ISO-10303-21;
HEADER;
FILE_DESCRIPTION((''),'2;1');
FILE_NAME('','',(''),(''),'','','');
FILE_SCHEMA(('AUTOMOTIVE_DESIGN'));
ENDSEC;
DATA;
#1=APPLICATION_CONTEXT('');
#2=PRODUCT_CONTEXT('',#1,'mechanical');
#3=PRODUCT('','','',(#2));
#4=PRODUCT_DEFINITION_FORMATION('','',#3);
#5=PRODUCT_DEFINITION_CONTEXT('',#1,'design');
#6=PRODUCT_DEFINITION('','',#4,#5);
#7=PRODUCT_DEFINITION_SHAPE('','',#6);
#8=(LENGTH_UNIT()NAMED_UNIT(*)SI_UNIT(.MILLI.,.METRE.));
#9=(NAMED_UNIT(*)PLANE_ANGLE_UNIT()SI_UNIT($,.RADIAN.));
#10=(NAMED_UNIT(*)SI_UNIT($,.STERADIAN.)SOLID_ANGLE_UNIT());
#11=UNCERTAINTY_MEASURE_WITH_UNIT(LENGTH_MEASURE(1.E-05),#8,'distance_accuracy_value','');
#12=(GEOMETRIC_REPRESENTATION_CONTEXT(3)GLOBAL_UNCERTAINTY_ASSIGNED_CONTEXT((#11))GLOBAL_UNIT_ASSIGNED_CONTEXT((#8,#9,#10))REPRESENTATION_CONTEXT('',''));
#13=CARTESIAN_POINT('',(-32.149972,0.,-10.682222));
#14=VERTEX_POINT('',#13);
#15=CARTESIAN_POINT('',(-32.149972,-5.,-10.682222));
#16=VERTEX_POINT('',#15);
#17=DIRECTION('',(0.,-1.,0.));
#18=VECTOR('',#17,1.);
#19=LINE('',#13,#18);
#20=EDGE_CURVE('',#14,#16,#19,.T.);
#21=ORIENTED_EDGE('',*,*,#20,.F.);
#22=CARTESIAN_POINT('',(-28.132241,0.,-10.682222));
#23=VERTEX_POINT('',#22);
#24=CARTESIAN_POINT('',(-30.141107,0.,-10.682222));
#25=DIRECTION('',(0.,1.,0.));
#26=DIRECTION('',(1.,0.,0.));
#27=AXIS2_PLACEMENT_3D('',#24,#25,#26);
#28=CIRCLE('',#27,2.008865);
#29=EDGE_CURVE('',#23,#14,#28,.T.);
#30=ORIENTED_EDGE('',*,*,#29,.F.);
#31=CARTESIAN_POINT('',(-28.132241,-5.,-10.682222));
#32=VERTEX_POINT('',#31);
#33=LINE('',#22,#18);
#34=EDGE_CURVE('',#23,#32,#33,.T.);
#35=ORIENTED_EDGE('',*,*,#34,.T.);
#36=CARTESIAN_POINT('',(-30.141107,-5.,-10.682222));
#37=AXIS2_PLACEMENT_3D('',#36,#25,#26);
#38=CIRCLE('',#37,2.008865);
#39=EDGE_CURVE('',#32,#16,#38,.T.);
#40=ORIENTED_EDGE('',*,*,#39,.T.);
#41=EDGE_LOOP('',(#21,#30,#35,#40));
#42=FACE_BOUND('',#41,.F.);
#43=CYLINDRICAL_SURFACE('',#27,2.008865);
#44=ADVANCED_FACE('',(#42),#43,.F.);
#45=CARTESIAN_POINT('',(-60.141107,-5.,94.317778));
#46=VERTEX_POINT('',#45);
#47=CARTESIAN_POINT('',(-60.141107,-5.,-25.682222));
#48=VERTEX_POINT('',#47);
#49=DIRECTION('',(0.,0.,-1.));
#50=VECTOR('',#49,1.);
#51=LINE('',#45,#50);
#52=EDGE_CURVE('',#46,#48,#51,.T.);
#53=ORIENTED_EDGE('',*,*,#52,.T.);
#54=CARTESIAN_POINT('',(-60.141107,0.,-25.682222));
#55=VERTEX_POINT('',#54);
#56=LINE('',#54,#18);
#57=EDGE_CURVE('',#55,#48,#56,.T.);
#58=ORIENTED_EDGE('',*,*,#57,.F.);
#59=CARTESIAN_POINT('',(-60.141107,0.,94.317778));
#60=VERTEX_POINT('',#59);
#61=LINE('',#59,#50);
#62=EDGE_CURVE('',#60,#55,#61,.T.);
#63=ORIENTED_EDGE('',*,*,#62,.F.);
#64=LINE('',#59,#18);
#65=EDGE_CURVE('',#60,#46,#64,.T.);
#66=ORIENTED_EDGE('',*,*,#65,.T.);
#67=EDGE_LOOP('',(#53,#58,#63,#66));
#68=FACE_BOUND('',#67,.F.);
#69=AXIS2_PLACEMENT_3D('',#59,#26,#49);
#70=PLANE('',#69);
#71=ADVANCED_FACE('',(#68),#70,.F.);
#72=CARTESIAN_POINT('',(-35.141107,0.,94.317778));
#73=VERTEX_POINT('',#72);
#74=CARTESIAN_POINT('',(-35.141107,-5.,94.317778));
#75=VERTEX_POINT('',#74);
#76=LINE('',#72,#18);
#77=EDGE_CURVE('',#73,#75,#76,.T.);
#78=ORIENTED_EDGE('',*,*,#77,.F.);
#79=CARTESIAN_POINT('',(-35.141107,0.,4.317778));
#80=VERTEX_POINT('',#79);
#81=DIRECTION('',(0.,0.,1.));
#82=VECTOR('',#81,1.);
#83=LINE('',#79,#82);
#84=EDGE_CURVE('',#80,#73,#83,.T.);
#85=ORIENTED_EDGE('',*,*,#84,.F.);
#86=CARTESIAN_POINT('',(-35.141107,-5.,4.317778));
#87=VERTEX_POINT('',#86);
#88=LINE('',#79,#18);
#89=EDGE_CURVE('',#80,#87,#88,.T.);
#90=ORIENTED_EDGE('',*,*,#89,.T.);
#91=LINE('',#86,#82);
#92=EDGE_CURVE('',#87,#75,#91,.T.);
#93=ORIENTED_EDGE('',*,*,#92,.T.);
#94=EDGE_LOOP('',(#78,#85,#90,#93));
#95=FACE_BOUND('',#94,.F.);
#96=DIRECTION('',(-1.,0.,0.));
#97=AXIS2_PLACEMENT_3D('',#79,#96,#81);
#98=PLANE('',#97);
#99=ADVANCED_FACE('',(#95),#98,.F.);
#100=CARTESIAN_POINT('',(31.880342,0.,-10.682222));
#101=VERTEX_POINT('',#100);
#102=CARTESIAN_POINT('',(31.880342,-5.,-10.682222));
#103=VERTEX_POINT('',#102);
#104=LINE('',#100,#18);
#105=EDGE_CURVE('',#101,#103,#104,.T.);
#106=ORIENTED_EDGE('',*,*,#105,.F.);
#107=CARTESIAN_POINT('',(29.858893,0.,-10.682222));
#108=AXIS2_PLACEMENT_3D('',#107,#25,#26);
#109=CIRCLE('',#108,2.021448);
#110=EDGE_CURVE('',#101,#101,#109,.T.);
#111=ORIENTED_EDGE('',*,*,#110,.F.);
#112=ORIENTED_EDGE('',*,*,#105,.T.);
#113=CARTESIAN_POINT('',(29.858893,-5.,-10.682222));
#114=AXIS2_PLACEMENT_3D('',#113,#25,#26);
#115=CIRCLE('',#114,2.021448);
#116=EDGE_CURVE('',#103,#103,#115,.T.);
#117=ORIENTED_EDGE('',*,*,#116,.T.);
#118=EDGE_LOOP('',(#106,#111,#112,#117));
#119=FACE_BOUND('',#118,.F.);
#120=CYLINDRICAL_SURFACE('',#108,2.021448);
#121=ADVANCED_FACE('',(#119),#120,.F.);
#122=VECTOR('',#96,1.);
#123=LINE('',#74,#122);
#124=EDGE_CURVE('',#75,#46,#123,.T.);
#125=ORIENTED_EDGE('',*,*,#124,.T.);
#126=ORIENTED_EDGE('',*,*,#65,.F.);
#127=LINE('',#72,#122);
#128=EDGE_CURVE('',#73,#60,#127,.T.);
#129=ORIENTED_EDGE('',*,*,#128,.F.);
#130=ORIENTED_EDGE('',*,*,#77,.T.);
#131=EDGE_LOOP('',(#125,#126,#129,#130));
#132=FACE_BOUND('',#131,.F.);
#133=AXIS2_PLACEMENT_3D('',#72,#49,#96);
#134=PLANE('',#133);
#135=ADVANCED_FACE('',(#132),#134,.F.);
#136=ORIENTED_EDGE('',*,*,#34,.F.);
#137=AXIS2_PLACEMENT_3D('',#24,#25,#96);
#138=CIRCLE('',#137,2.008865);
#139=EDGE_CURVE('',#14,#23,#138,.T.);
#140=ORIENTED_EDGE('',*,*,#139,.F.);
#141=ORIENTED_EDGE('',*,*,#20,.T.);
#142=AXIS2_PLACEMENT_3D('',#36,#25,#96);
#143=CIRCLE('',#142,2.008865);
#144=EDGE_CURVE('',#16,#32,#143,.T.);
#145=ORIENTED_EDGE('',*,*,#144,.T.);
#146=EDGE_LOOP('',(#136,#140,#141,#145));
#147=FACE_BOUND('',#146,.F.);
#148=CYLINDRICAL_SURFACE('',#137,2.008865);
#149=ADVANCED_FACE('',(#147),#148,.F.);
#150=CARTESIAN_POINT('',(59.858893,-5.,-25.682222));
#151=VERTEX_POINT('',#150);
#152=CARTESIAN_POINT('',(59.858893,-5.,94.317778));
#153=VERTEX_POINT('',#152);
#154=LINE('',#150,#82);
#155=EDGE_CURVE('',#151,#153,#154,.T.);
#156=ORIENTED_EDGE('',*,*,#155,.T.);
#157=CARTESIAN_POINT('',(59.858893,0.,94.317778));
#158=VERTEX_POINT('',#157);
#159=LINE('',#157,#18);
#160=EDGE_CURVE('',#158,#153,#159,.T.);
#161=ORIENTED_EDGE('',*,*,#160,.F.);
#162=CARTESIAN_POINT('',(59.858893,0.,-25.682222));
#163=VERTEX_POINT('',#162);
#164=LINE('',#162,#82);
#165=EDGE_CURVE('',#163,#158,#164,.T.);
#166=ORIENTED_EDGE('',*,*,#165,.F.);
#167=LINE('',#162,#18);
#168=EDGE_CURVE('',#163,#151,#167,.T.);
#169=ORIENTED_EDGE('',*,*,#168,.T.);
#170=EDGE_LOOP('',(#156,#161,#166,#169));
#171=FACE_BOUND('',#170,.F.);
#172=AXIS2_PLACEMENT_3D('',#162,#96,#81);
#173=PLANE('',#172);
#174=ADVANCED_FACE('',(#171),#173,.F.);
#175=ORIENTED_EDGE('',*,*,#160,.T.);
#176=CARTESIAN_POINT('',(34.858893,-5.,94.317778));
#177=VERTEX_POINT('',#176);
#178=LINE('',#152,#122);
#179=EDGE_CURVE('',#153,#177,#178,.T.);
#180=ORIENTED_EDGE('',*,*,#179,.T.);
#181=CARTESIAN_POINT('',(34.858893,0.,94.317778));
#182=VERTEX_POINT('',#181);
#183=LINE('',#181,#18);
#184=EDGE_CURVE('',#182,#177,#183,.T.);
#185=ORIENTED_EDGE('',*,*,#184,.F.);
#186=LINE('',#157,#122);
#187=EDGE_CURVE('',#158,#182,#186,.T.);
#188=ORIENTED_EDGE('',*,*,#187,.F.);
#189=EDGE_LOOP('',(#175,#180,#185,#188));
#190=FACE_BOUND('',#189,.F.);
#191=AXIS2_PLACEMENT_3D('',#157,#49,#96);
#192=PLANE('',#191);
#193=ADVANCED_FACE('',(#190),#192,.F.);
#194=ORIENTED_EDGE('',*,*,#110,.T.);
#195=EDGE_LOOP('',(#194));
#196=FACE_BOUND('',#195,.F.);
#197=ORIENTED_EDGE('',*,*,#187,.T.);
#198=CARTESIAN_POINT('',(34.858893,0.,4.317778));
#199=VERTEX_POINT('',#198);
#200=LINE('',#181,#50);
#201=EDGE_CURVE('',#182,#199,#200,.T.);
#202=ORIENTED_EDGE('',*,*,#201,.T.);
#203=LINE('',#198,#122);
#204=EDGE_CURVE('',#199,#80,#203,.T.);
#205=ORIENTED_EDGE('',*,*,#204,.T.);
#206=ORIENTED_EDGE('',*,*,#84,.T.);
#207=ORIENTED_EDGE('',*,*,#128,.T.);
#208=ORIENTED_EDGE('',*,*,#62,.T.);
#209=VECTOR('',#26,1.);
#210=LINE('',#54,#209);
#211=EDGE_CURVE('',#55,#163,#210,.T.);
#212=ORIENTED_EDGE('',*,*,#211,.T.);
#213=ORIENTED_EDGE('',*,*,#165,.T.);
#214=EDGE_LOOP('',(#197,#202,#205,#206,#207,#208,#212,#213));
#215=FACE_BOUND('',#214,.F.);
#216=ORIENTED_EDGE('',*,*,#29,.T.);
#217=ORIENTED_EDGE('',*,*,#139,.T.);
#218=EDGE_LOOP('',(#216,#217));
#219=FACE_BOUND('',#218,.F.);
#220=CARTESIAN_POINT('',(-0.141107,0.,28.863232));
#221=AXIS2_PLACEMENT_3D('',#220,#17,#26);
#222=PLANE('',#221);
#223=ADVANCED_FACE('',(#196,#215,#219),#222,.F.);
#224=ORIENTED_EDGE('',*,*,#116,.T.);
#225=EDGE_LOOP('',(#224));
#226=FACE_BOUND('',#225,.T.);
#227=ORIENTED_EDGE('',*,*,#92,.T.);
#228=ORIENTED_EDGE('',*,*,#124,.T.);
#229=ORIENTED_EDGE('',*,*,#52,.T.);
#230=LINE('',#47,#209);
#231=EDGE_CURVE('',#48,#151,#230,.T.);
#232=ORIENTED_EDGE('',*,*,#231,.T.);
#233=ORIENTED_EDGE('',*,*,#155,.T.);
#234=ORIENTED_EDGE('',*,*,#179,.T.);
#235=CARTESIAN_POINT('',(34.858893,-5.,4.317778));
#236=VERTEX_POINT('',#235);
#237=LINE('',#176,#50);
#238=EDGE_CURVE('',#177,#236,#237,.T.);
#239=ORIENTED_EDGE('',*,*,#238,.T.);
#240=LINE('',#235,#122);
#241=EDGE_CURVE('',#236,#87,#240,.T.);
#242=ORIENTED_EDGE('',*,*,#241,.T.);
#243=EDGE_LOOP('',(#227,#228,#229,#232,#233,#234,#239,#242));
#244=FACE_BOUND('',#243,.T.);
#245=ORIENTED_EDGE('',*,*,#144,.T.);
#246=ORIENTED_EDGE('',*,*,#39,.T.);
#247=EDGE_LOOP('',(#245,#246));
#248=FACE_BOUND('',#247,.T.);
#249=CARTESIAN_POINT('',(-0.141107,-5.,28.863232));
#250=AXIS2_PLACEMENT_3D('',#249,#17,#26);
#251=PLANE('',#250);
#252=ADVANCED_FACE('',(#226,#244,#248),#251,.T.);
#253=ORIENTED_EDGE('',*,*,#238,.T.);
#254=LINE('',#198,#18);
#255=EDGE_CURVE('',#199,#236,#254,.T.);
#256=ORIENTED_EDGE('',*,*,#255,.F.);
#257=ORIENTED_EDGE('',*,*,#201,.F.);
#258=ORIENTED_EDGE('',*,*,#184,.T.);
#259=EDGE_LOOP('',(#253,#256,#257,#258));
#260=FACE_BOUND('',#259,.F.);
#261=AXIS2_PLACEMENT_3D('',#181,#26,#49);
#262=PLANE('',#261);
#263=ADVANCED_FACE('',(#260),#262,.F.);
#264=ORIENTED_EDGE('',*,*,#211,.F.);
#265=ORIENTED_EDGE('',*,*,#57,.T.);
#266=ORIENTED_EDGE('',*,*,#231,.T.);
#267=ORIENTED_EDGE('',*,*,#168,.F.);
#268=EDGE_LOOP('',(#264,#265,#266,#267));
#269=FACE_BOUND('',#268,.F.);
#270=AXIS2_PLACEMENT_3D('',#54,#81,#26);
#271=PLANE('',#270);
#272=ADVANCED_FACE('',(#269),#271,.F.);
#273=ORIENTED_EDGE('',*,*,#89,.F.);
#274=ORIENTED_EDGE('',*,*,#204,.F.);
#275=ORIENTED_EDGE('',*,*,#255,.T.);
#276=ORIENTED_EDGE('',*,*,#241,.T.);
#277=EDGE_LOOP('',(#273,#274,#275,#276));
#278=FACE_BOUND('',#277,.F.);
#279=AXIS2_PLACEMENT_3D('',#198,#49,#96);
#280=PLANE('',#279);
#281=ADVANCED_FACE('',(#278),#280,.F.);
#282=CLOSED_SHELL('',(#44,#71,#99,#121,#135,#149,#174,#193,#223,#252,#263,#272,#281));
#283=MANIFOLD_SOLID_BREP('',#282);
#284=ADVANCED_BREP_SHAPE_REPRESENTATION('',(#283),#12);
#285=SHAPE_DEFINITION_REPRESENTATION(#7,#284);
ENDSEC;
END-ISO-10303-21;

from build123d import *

# Parameters (mm, degrees)
F1_DEPTH = 5


with BuildPart() as f1:
    # F0 (on Front) → F1 (new body)
    with BuildSketch(Plane.XZ):
        Polygon((-60.1411065459, 94.3177779019), (-60.1411065459, -25.6822220981), (59.8588934541, -25.6822220981), (59.8588934541, -10.6822220981), (59.8588934541, 4.3177779019), (59.8588934541, 94.3177779019), (34.8588934541, 94.3177779019), (34.8588934541, 4.3177779019), (-35.1411065459, 4.3177779019), (-35.1411065459, 94.3177779019), align=None)
        with BuildLine():
            ThreePointArc((-32.1499717459, -10.6822220981), (-30.1411065459, -8.6733568981), (-28.132241346, -10.6822220981))
            ThreePointArc((-28.132241346, -10.6822220981), (-30.1411065459, -12.6910872981), (-32.1499717459, -10.6822220981))
        make_face(mode=Mode.SUBTRACT)
        with BuildLine():
            ThreePointArc((27.8374452822, -10.6822220981), (29.8588934541, -8.6607739263), (31.8803416259, -10.6822220981))
            ThreePointArc((31.8803416259, -10.6822220981), (29.8588934541, -12.70367027), (27.8374452822, -10.6822220981))
        make_face(mode=Mode.SUBTRACT)
    extrude(amount=F1_DEPTH)


solid = f1.part
